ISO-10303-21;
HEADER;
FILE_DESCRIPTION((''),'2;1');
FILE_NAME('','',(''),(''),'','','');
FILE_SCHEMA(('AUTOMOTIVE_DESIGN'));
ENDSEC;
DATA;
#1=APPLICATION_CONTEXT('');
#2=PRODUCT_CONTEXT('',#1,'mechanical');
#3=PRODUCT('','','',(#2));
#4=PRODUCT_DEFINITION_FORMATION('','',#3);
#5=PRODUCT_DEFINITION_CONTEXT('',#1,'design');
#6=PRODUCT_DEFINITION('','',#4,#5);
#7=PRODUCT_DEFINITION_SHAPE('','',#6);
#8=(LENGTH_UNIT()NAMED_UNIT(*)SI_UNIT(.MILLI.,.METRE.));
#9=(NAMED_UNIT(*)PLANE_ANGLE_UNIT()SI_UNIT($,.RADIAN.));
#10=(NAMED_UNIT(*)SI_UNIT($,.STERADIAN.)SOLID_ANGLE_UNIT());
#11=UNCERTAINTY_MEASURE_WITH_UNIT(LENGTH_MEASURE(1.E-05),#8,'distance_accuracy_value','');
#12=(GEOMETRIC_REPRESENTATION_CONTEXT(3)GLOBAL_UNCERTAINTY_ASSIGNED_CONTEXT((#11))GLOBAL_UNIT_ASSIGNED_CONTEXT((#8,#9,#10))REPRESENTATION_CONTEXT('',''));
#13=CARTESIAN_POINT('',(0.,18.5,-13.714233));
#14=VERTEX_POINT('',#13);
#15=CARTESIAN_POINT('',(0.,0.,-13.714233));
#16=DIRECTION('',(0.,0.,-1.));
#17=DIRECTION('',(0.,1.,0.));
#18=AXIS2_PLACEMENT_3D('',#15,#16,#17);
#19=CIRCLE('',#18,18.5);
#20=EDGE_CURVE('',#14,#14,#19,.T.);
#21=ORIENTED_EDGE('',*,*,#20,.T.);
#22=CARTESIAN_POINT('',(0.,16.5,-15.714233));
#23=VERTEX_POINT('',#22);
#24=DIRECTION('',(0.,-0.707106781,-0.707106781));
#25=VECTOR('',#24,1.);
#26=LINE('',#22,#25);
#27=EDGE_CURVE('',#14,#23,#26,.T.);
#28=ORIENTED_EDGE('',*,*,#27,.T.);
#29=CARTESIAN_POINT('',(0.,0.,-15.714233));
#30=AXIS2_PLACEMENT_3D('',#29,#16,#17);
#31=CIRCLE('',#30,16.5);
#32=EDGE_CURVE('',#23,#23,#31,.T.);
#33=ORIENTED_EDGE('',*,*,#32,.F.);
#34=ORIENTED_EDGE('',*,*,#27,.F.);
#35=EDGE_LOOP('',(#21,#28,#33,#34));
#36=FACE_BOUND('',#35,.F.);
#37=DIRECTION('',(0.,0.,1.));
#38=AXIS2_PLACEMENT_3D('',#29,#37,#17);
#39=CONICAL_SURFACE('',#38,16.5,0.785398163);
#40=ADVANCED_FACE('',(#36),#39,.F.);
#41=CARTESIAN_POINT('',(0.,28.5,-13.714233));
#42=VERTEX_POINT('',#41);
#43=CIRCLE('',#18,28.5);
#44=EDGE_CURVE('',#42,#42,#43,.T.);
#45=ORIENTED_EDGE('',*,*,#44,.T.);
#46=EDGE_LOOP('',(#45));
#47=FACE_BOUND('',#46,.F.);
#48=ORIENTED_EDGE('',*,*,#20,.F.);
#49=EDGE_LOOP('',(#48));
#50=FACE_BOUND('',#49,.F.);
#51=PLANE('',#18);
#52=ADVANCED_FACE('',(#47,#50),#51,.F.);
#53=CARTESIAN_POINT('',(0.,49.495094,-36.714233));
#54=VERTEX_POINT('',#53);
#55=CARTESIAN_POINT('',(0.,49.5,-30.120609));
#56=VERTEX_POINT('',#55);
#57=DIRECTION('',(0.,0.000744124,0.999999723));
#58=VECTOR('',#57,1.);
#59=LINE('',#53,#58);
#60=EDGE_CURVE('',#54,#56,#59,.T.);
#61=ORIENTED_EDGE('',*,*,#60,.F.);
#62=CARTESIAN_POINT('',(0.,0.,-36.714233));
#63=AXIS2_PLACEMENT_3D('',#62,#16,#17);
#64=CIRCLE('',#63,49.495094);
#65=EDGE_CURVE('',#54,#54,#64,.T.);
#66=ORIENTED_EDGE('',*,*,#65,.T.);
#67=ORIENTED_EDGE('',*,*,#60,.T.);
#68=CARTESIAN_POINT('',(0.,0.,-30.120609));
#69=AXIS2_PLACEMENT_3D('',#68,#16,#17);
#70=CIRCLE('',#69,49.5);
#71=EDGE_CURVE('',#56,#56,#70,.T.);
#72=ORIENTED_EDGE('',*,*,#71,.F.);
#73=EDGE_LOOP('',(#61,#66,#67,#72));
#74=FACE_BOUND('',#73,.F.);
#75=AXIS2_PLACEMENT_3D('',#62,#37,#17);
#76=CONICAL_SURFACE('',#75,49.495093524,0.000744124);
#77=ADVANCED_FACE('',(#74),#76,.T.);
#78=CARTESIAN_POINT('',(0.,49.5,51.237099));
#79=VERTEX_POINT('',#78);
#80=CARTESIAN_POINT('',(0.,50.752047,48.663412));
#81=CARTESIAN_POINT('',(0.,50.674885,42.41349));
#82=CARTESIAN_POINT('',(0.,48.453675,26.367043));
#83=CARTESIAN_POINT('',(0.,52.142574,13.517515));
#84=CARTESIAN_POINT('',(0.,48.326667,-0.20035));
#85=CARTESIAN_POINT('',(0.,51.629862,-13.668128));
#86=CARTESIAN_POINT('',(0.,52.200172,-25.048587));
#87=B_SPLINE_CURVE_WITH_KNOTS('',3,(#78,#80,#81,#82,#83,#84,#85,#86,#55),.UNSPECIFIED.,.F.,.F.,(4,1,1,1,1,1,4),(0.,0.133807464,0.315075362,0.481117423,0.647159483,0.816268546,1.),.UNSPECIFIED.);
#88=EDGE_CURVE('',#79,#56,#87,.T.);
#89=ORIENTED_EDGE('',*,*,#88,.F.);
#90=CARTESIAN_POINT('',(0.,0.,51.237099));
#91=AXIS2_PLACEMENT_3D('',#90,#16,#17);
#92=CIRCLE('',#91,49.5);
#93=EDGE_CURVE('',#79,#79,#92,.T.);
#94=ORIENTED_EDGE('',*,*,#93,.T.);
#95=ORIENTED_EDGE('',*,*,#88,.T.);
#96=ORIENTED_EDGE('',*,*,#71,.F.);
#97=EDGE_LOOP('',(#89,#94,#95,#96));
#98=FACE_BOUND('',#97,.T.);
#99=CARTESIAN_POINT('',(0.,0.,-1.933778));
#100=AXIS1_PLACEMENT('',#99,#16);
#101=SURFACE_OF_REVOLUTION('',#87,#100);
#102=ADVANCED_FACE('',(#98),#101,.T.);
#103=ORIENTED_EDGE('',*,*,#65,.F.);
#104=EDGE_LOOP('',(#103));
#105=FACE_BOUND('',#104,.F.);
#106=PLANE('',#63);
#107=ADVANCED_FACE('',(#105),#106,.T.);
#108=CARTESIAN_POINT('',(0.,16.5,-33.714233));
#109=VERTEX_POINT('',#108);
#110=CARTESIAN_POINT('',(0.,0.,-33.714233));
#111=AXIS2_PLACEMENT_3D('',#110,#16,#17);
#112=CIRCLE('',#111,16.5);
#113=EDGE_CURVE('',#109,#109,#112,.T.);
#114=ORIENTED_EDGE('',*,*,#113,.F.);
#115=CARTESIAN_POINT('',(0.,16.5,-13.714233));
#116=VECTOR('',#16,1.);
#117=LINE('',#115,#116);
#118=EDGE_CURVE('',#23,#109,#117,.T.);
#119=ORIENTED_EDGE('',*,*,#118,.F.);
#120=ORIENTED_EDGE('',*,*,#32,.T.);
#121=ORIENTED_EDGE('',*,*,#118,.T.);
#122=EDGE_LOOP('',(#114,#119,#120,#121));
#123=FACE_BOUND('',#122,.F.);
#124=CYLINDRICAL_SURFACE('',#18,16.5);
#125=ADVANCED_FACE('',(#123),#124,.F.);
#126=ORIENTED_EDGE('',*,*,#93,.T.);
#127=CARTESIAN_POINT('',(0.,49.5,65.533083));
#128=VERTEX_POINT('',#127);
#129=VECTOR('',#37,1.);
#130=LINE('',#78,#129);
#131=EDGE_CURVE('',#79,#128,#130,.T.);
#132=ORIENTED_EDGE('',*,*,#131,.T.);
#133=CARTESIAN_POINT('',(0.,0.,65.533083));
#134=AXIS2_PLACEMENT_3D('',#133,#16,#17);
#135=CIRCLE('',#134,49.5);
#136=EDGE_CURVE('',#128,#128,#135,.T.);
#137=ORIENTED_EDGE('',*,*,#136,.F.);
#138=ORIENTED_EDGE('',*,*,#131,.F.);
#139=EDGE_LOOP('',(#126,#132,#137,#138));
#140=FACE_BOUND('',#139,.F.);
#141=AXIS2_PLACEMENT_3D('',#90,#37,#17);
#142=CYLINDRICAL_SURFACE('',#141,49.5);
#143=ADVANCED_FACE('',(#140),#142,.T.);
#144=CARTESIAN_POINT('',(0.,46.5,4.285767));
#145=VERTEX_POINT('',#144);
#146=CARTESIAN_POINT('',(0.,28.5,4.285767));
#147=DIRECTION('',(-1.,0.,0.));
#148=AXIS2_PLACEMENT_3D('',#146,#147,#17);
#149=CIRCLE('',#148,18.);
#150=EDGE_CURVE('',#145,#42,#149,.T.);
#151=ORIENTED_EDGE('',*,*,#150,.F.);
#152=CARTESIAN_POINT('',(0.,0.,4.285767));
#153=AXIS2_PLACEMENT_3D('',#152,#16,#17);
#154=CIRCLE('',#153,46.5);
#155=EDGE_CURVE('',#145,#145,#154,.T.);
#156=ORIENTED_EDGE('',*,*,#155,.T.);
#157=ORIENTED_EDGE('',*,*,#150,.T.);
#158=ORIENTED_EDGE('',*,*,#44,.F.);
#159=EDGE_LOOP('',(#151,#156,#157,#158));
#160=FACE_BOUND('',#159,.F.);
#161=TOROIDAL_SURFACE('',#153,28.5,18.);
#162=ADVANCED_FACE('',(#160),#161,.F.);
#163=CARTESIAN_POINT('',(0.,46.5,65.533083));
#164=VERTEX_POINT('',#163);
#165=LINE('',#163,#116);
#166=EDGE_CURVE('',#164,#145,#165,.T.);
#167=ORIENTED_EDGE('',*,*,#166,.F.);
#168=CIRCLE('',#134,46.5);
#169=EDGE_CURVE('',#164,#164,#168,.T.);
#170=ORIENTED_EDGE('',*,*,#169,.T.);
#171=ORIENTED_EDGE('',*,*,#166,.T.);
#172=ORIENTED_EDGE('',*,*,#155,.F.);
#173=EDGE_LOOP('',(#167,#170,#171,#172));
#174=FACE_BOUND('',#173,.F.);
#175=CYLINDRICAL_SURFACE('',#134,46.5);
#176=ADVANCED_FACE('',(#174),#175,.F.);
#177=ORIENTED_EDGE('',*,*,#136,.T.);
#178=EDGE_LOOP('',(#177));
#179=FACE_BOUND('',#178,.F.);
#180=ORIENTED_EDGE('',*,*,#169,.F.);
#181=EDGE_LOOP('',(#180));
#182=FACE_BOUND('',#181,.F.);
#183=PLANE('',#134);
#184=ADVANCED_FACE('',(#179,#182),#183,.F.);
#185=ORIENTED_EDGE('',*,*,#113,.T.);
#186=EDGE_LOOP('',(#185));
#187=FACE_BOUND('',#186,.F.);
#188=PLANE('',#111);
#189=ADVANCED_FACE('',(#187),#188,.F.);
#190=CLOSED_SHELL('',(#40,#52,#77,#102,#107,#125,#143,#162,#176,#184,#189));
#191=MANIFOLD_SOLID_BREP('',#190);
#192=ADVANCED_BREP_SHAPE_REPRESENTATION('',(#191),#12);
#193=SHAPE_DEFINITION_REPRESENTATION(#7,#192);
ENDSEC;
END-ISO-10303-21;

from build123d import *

# Parameters (mm, degrees)
F3_SIZE = 2


with BuildPart() as f2:
    # F1 (on Right) → F2 (revolve)
    with BuildSketch(Plane.YZ):
        with BuildLine():
            Line((16.5, -33.714233458), (0, -33.714233458))
            Line((0, -33.714233458), (0, -36.714233458))
            Line((0, -36.714233458), (49.4950935245, -36.714233458))
            Line((49.4950935245, -36.714233458), (49.5, -30.1206093282))
            add(Edge.make_bspline(
                [(49.5, 51.2370988727), (50.7520465494, 48.6634121926), (50.6748853889, 42.4134896311), (48.4536747421, 26.367042969), (52.14257412, 13.5175149962), (48.3266670871, -0.2003504932), (51.6298616954, -13.6681277458), (52.2001720965, -25.0485874712), (49.5, -30.1206093282)],
                knots=[0, 0, 0, 0, 0.1338074642, 0.3150753624, 0.4811174226, 0.6471594829, 0.816268546, 1, 1, 1, 1], degree=3))
            Line((49.5, 51.2370988727), (49.5, 65.533082813))
            Line((49.5, 65.533082813), (46.5, 65.533082813))
            Line((46.5, 65.533082813), (46.5, 4.285766542))
            ThreePointArc((46.5, 4.285766542), (41.2279220614, -8.4421555194), (28.5, -13.714233458))
            Line((28.5, -13.714233458), (16.5, -13.714233458))
            Line((16.5, -13.714233458), (16.5, -33.714233458))
        make_face()
    revolve(axis=Axis((0, 0, -1.9337777048), (0, 0, -1)))

    # F3
    f3_edges = [f2.edges().sort_by_distance(p)[0] for p in [
        (0, -16.5, -13.714233),
    ]]
    chamfer(f3_edges, length=F3_SIZE)


solid = f2.part
